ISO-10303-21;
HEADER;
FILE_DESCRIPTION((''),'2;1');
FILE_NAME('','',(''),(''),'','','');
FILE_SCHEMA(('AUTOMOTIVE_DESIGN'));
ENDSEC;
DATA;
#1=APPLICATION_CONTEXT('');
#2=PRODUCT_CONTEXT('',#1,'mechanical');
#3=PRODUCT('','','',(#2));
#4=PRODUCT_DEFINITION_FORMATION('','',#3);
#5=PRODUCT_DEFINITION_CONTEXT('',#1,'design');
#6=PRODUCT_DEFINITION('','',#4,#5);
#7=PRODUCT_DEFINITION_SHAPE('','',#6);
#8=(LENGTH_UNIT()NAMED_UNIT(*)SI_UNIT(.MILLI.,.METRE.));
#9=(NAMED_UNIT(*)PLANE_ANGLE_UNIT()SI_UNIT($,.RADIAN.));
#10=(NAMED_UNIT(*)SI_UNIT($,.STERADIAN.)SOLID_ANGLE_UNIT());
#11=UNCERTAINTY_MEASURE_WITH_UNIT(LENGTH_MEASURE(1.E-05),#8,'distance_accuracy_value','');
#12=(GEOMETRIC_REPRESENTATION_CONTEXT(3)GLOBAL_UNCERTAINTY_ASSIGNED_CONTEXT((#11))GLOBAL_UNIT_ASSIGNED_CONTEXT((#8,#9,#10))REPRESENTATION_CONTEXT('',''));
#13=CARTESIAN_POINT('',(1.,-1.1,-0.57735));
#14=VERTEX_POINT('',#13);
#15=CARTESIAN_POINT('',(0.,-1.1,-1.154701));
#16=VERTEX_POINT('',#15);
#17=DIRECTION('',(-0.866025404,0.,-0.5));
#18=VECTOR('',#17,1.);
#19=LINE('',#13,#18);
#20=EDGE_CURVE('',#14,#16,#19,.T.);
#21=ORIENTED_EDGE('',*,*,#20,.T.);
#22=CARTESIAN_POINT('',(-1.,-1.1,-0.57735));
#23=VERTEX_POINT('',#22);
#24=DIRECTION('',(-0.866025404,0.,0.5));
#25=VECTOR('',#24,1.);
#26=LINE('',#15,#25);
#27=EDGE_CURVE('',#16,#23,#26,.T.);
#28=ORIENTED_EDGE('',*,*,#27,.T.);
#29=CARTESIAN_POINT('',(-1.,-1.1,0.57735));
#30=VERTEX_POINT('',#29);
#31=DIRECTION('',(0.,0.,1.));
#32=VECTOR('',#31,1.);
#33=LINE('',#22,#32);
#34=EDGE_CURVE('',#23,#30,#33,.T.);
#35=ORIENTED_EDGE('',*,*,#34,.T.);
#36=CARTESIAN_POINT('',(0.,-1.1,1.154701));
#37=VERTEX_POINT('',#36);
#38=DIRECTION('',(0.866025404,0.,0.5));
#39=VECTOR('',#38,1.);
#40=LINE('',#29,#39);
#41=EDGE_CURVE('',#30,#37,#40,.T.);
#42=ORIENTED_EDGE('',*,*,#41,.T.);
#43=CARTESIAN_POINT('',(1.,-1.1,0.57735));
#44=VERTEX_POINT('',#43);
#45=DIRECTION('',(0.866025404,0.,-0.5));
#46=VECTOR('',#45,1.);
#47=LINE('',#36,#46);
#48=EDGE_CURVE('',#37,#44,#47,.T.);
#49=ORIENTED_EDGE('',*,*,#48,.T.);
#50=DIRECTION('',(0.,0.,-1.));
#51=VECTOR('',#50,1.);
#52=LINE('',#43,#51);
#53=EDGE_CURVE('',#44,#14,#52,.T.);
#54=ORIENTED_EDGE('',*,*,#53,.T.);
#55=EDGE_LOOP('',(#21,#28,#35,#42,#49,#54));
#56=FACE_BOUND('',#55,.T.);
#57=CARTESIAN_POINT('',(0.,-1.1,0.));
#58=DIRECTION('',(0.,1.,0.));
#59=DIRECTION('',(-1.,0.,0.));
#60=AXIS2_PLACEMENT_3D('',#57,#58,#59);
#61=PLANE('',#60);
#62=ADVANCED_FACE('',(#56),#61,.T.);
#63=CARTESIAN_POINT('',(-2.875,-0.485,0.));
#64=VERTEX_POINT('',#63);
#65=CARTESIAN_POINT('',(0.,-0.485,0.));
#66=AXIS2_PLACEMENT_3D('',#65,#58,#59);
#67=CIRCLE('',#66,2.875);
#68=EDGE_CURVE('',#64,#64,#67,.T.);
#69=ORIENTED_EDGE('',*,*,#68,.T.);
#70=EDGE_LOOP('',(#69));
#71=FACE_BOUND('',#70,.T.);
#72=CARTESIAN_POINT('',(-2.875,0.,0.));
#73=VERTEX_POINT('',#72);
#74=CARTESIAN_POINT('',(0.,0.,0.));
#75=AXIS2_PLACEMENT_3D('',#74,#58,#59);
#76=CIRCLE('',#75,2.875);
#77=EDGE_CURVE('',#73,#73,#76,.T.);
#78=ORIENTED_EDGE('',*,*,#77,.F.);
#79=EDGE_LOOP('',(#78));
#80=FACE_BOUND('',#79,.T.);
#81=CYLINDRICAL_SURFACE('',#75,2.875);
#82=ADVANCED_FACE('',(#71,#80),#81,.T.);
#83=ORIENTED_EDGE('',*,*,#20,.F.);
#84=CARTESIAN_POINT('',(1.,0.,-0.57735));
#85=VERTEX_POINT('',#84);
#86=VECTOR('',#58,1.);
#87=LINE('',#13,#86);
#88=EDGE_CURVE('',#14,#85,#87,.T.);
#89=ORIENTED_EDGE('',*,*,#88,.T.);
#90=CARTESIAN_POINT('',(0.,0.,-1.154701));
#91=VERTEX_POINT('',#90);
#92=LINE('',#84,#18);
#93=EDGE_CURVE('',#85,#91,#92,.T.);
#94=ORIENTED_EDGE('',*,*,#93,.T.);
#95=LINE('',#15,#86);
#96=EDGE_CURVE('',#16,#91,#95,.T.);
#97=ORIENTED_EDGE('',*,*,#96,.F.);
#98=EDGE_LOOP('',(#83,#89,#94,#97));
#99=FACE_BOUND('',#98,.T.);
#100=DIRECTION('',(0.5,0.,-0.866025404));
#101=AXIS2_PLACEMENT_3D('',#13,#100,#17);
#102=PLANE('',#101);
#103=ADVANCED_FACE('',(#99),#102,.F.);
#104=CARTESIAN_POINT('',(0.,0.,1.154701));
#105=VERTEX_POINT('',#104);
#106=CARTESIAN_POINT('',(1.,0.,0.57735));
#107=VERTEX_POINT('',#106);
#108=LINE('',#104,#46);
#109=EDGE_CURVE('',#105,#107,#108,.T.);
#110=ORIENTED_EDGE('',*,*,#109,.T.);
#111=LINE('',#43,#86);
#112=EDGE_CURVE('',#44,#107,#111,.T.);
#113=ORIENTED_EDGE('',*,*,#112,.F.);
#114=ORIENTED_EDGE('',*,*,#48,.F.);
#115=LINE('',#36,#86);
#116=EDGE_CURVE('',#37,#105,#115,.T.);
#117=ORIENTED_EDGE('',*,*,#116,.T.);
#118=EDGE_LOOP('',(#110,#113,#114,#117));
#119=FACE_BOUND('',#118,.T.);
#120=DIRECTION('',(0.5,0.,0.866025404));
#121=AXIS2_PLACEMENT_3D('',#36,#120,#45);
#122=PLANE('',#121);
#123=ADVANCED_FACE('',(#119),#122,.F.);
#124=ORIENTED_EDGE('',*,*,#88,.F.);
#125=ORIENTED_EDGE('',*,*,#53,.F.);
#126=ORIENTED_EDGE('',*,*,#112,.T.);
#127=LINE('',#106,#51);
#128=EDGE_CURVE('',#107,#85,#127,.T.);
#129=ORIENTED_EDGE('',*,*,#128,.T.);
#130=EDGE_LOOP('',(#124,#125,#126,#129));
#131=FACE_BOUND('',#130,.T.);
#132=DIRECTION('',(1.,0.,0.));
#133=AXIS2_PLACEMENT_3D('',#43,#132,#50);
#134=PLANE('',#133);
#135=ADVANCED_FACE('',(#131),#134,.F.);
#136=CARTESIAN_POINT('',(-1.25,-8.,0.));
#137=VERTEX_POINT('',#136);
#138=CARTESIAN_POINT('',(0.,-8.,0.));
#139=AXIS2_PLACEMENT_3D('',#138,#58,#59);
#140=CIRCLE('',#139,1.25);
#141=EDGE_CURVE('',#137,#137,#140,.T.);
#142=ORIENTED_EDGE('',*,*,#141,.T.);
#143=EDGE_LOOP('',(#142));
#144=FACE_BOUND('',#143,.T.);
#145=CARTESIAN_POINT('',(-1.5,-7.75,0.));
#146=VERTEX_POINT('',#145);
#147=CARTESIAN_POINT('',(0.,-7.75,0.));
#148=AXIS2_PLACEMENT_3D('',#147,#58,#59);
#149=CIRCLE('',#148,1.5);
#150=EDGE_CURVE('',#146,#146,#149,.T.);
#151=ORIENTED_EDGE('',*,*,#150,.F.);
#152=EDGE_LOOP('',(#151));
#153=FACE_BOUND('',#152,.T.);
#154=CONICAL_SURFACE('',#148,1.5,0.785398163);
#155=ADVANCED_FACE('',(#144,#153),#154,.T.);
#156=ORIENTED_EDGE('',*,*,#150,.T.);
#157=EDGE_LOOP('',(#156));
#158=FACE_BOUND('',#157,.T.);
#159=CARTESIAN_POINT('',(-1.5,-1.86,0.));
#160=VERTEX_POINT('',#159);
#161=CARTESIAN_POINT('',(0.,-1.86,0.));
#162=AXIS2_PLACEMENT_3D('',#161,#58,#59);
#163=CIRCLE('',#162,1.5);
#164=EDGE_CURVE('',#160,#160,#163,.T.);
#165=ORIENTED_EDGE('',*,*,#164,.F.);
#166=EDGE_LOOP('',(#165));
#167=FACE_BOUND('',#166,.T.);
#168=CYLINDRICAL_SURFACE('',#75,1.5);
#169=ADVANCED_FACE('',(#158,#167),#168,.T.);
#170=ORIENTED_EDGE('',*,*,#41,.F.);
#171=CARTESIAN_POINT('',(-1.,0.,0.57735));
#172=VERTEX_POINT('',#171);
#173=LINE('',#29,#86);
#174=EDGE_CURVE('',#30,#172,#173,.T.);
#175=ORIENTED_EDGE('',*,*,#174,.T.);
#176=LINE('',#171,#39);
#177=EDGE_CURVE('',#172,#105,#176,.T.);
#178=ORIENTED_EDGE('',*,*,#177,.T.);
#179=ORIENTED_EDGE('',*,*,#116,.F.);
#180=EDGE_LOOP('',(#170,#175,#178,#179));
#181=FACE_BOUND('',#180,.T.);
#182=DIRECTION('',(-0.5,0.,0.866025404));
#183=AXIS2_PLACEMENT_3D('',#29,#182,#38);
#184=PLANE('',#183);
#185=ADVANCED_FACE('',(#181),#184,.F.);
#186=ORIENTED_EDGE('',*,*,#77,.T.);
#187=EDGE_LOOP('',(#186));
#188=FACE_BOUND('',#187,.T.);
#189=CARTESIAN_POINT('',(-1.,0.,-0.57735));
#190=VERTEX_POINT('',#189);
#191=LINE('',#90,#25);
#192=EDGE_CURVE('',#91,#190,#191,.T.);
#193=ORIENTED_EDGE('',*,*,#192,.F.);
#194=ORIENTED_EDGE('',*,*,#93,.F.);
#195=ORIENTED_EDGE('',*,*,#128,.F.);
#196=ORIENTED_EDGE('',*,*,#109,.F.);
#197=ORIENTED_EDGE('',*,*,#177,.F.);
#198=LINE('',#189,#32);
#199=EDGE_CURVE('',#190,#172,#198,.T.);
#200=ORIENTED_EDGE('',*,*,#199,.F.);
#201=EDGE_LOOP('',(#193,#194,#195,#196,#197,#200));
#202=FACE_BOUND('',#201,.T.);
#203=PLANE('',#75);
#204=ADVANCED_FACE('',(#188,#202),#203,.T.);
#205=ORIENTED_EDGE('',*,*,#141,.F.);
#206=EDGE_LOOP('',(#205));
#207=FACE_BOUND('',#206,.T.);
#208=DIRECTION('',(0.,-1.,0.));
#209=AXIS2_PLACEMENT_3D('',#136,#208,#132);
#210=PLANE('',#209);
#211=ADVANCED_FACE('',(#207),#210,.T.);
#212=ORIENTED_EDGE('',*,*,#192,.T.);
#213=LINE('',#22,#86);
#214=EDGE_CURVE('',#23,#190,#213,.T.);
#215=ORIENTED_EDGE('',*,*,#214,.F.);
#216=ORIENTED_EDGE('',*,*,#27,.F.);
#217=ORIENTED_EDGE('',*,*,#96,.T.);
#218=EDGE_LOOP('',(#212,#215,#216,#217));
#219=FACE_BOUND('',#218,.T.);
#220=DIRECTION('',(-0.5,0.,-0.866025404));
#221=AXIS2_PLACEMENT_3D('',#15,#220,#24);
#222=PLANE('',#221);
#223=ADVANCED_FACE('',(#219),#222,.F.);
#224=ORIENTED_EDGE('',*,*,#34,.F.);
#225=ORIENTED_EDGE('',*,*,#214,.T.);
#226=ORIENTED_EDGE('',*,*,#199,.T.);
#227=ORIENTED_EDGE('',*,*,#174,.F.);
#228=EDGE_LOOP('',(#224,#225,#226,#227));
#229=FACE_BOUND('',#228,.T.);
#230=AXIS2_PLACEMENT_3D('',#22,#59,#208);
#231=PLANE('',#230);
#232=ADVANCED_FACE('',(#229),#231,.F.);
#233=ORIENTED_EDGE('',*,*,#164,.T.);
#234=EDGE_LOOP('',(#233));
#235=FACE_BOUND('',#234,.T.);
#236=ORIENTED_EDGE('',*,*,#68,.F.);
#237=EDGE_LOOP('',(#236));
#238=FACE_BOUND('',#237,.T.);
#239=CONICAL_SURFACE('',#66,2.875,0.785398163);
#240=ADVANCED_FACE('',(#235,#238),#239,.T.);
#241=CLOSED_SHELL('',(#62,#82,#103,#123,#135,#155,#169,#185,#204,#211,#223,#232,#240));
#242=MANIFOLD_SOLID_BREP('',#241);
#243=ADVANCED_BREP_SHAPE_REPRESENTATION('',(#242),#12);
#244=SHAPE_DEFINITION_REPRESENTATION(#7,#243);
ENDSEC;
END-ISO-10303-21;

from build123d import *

# Parameters (mm, degrees)
CUT_EXTRUDE1_DEPTH = 1.1


with BuildPart() as part:
    # Sketch1 → Revolve1 (revolve)
    with BuildSketch(Plane.XY):
        Polygon((0, 0), (0, -8), (-1.25, -8), (-1.5, -7.75), (-1.5, -1.86), (-2.875, -0.485), (-2.875, 0), align=None)
    revolve(axis=Axis((0, 0, 0), (0, -1, 0)))

    # Sketch2 → Cut-Extrude1 (cut)
    with BuildSketch(Plane(origin=(0, 0, 0), x_dir=(1, 0, 0), z_dir=(0, 1, 0))):
        Polygon((-1, 0.577350269), (-1, -0.577350269), (0, -1.154700538), (1, -0.577350269), (1, 0.577350269), (0, 1.154700538), align=None)
    extrude(amount=-CUT_EXTRUDE1_DEPTH, mode=Mode.SUBTRACT)


solid = part.part
